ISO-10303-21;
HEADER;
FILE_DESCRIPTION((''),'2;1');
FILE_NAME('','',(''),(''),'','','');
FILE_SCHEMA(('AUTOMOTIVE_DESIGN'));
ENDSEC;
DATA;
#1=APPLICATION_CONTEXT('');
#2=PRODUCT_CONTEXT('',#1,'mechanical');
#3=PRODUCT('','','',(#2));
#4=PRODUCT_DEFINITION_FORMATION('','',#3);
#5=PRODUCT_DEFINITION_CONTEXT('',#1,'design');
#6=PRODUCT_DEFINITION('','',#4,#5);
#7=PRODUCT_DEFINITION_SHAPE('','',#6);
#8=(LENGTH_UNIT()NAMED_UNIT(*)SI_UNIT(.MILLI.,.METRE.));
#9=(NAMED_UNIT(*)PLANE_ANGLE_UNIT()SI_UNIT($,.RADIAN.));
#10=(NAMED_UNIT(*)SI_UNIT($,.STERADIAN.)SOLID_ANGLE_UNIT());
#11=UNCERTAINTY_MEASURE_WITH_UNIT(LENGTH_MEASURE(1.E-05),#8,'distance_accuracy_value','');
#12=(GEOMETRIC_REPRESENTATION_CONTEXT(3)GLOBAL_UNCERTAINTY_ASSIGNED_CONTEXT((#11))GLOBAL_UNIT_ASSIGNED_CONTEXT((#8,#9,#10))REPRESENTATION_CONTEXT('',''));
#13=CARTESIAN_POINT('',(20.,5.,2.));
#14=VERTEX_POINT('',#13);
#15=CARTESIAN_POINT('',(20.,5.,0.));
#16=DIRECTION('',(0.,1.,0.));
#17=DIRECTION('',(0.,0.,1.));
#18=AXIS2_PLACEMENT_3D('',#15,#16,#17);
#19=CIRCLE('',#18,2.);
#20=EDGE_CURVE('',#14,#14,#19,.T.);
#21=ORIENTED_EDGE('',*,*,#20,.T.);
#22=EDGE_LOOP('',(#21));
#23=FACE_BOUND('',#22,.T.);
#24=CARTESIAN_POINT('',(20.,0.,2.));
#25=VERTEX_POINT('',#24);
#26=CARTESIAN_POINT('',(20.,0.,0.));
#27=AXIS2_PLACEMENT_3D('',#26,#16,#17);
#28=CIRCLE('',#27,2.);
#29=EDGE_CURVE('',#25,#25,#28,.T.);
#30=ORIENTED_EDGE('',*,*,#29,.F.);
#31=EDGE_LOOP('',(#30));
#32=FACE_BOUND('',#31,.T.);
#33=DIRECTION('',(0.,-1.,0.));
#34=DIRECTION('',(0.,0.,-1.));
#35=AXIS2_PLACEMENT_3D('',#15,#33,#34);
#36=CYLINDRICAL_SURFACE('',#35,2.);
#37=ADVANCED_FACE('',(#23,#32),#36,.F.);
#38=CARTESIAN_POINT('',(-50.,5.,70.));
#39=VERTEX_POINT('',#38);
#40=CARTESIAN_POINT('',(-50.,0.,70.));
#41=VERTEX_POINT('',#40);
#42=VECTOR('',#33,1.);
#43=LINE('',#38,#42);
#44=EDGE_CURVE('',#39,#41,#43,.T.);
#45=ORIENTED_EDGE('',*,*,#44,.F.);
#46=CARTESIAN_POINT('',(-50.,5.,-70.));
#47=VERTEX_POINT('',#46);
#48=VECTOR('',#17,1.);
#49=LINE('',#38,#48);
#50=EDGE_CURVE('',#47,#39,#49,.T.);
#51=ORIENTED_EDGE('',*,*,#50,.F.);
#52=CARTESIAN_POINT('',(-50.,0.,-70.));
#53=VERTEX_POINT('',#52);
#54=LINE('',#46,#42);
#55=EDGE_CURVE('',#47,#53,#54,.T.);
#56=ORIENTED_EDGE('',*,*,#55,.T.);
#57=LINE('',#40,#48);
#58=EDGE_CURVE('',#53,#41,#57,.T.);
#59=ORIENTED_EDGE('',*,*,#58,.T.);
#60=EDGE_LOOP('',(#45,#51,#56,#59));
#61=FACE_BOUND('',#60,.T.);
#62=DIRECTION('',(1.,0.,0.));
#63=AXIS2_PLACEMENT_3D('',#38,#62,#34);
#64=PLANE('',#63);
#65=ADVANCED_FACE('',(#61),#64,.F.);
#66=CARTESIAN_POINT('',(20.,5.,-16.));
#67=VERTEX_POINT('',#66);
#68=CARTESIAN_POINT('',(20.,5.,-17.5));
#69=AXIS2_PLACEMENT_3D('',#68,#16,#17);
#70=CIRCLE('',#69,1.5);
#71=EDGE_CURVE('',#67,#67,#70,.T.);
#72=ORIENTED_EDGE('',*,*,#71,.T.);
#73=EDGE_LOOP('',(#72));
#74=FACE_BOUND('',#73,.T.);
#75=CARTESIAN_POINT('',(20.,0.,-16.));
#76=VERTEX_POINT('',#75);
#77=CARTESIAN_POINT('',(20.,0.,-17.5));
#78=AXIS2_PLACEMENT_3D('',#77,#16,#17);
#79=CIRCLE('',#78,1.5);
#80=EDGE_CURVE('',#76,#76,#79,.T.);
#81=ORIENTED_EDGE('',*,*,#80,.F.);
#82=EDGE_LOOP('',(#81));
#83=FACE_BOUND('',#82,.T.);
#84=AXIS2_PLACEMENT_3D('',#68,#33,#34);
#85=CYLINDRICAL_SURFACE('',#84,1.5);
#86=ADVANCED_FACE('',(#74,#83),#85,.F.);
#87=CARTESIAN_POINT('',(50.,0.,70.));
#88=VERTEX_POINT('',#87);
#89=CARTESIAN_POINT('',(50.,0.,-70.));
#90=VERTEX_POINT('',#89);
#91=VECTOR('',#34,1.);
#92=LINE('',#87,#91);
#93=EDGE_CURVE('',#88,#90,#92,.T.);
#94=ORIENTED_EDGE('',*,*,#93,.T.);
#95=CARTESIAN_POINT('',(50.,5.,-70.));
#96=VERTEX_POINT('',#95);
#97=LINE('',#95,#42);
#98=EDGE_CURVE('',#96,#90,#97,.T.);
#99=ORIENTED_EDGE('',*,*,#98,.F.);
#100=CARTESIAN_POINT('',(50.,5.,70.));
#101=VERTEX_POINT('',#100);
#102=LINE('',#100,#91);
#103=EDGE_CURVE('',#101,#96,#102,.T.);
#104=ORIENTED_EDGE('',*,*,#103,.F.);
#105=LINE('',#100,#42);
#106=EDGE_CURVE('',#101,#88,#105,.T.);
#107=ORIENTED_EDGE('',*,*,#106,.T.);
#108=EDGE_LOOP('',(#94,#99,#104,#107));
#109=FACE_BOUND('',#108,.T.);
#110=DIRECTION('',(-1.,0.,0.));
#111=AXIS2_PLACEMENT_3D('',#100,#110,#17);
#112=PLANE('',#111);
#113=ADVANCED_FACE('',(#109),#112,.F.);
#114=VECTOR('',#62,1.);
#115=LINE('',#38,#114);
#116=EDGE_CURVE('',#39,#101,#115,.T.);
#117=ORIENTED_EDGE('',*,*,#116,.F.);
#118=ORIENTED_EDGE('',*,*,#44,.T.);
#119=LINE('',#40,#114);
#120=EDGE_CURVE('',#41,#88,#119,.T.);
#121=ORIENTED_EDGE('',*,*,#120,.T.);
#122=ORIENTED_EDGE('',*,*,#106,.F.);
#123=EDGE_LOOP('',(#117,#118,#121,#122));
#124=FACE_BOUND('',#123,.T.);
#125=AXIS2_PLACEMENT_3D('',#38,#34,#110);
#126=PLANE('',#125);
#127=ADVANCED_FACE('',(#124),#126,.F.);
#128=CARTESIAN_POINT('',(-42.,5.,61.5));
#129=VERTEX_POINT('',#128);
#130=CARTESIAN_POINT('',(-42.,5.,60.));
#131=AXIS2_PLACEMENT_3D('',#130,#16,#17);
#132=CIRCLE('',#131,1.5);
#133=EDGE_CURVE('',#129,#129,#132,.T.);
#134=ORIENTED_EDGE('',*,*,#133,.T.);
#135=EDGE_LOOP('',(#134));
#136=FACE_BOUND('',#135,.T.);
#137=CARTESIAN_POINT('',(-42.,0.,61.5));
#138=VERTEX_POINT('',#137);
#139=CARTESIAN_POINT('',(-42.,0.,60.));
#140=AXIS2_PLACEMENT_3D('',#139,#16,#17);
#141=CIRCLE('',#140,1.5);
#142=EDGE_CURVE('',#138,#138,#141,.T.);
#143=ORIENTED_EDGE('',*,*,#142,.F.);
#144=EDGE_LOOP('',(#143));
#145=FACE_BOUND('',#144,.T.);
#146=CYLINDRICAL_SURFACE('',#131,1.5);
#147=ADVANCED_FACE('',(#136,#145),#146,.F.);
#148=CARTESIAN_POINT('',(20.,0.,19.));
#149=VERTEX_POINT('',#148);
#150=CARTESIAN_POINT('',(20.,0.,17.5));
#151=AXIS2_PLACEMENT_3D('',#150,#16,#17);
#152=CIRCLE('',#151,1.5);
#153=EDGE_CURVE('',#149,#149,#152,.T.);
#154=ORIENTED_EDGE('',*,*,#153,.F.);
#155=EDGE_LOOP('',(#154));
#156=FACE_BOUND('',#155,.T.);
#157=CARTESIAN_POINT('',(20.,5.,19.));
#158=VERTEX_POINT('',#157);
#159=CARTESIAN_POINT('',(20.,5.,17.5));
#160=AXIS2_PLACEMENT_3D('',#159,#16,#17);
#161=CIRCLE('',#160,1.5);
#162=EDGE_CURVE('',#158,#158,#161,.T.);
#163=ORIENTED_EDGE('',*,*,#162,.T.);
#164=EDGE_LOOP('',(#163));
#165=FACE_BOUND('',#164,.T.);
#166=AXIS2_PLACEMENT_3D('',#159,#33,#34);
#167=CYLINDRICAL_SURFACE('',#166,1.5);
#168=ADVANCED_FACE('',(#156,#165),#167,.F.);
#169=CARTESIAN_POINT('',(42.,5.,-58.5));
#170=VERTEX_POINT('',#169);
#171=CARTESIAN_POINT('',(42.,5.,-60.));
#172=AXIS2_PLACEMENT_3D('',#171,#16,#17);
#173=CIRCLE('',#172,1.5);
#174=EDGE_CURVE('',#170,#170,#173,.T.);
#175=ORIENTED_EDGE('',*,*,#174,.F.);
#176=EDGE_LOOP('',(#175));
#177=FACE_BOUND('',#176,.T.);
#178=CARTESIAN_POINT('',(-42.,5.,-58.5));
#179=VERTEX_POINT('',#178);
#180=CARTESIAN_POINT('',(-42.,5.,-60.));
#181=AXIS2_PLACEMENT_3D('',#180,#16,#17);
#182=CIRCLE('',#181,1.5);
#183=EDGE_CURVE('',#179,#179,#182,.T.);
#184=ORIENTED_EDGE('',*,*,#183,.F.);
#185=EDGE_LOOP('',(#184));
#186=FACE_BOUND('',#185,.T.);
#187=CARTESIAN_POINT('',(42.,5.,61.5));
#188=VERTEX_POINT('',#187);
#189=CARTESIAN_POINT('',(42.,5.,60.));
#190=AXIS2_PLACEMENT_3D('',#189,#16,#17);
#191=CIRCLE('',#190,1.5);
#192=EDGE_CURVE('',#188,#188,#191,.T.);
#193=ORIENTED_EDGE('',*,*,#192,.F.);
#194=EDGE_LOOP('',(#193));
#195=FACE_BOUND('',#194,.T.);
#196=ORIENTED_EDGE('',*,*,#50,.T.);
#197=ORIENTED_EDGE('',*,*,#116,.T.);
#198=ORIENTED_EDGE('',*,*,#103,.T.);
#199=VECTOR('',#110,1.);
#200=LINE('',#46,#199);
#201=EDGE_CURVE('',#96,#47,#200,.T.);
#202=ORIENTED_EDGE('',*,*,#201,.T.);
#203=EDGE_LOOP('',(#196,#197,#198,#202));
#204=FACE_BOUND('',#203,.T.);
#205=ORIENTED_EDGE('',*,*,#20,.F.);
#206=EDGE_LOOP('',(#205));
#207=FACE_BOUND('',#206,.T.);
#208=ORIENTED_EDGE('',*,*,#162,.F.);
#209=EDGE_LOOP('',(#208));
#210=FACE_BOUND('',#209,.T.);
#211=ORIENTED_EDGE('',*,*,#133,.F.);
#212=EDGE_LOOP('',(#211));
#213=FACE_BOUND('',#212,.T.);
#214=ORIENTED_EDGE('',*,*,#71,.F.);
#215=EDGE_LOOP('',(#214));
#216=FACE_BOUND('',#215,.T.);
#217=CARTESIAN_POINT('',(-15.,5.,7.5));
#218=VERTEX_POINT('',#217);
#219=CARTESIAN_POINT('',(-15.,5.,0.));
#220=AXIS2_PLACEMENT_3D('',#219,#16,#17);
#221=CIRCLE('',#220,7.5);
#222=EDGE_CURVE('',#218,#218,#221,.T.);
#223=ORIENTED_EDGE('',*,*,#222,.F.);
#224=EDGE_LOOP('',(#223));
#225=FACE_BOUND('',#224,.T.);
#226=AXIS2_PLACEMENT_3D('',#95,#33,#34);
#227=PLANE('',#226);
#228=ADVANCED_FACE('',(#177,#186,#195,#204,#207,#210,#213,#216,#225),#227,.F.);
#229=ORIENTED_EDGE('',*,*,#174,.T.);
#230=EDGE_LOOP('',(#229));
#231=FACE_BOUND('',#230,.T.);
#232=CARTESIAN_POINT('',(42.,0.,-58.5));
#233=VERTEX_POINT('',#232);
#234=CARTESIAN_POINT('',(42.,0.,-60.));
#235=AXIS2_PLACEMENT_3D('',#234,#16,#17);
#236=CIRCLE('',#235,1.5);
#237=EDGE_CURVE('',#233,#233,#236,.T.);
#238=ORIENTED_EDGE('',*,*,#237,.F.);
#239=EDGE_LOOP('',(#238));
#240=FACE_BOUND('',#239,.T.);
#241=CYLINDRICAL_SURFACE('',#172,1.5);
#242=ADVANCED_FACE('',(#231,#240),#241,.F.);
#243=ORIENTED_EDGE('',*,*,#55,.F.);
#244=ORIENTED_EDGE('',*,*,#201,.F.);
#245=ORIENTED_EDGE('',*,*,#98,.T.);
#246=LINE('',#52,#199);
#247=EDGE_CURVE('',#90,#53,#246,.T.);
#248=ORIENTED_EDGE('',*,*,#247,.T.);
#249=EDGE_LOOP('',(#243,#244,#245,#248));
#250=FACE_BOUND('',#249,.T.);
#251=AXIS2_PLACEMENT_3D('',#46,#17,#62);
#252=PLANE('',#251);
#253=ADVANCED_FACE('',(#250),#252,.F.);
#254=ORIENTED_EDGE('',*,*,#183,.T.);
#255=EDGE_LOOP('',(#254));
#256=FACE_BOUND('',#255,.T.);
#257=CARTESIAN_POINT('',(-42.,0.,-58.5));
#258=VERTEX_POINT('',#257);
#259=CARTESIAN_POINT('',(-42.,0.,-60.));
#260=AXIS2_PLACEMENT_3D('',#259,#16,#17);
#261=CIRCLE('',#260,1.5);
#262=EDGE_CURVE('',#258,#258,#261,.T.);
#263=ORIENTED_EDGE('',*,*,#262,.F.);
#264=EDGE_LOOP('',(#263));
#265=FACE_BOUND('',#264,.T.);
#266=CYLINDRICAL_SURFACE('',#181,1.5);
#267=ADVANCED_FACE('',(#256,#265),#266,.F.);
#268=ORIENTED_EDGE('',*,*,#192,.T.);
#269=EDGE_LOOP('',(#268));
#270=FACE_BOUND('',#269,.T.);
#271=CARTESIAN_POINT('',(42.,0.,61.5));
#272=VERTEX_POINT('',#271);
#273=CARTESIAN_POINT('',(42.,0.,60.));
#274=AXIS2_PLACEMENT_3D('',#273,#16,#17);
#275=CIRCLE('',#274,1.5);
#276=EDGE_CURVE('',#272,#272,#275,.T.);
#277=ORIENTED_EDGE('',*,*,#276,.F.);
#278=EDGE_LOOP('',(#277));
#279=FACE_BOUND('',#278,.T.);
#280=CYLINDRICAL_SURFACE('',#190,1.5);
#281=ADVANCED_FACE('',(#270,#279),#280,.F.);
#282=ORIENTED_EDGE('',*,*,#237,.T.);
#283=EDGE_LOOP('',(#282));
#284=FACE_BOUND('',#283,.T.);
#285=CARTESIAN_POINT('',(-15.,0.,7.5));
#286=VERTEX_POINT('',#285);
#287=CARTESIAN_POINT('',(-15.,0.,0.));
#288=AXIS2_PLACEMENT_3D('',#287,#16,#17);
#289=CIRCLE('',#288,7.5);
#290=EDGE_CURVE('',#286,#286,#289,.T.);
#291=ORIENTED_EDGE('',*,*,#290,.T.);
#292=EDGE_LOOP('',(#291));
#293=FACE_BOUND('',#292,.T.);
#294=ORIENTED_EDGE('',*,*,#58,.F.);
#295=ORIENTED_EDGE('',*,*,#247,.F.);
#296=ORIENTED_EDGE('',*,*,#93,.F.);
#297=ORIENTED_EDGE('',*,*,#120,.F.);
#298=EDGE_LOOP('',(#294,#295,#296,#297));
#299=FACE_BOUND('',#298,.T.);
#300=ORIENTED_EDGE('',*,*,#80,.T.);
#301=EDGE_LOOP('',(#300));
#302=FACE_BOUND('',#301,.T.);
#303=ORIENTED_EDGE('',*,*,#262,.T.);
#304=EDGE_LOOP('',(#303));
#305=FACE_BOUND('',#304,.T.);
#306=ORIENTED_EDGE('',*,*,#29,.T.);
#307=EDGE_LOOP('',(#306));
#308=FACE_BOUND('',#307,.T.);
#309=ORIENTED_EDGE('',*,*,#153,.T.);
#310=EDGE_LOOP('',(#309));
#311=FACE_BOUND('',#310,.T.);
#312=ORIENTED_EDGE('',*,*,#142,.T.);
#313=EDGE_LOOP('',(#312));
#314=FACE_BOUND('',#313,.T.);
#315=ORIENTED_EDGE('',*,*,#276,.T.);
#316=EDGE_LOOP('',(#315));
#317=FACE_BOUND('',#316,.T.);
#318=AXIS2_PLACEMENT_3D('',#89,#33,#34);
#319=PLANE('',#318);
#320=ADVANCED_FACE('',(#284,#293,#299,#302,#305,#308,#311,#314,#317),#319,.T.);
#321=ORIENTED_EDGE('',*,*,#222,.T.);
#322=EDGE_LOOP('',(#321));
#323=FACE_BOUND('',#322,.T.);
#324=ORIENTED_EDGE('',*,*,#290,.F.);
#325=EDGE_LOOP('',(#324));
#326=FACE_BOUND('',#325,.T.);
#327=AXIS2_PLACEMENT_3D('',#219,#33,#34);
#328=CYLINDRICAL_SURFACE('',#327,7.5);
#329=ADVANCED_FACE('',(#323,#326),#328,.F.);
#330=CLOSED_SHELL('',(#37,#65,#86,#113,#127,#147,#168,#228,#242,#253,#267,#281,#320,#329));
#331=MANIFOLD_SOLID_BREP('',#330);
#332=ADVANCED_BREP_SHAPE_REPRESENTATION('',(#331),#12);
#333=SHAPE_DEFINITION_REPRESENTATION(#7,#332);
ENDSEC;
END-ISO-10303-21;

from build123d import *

# Parameters (mm, degrees)
SKETCH1_W                = 100
SKETCH1_H                = 140
SKETCH1_R                = 7.5
SKETCH1_R_2              = 2
SKETCH1_R_3              = 1.5
BOSS_EXTRUDE1_DEPTH      = 5
F_3_0_3_DIAMETER_HOLE1_D = 3


with BuildPart() as part:
    # Sketch1 → Boss-Extrude1 (new body)
    with BuildSketch(Plane(origin=(0, 0, 0), x_dir=(1, 0, 0), z_dir=(0, 1, 0))):
        Rectangle(SKETCH1_W, SKETCH1_H)
        with Locations((-15, 0)):
            Circle(SKETCH1_R, mode=Mode.SUBTRACT)
        with Locations((20, 0)):
            Circle(SKETCH1_R_2, mode=Mode.SUBTRACT)
        with Locations((20, -17.5)):
            Circle(SKETCH1_R_3, mode=Mode.SUBTRACT)
        with Locations((20, 17.5)):
            Circle(SKETCH1_R_3, mode=Mode.SUBTRACT)
    extrude(amount=BOSS_EXTRUDE1_DEPTH)

    # Ø3.0 (3) Diameter Hole1 (through all)
    with Locations(Plane(origin=(0, 5, 0), x_dir=(-1, 0, 0), z_dir=(0, 1, 0))):
        with Locations((-42, 60), (42, 60), (42, -60), (-42, -60)):
            Hole(F_3_0_3_DIAMETER_HOLE1_D / 2)


solid = part.part
